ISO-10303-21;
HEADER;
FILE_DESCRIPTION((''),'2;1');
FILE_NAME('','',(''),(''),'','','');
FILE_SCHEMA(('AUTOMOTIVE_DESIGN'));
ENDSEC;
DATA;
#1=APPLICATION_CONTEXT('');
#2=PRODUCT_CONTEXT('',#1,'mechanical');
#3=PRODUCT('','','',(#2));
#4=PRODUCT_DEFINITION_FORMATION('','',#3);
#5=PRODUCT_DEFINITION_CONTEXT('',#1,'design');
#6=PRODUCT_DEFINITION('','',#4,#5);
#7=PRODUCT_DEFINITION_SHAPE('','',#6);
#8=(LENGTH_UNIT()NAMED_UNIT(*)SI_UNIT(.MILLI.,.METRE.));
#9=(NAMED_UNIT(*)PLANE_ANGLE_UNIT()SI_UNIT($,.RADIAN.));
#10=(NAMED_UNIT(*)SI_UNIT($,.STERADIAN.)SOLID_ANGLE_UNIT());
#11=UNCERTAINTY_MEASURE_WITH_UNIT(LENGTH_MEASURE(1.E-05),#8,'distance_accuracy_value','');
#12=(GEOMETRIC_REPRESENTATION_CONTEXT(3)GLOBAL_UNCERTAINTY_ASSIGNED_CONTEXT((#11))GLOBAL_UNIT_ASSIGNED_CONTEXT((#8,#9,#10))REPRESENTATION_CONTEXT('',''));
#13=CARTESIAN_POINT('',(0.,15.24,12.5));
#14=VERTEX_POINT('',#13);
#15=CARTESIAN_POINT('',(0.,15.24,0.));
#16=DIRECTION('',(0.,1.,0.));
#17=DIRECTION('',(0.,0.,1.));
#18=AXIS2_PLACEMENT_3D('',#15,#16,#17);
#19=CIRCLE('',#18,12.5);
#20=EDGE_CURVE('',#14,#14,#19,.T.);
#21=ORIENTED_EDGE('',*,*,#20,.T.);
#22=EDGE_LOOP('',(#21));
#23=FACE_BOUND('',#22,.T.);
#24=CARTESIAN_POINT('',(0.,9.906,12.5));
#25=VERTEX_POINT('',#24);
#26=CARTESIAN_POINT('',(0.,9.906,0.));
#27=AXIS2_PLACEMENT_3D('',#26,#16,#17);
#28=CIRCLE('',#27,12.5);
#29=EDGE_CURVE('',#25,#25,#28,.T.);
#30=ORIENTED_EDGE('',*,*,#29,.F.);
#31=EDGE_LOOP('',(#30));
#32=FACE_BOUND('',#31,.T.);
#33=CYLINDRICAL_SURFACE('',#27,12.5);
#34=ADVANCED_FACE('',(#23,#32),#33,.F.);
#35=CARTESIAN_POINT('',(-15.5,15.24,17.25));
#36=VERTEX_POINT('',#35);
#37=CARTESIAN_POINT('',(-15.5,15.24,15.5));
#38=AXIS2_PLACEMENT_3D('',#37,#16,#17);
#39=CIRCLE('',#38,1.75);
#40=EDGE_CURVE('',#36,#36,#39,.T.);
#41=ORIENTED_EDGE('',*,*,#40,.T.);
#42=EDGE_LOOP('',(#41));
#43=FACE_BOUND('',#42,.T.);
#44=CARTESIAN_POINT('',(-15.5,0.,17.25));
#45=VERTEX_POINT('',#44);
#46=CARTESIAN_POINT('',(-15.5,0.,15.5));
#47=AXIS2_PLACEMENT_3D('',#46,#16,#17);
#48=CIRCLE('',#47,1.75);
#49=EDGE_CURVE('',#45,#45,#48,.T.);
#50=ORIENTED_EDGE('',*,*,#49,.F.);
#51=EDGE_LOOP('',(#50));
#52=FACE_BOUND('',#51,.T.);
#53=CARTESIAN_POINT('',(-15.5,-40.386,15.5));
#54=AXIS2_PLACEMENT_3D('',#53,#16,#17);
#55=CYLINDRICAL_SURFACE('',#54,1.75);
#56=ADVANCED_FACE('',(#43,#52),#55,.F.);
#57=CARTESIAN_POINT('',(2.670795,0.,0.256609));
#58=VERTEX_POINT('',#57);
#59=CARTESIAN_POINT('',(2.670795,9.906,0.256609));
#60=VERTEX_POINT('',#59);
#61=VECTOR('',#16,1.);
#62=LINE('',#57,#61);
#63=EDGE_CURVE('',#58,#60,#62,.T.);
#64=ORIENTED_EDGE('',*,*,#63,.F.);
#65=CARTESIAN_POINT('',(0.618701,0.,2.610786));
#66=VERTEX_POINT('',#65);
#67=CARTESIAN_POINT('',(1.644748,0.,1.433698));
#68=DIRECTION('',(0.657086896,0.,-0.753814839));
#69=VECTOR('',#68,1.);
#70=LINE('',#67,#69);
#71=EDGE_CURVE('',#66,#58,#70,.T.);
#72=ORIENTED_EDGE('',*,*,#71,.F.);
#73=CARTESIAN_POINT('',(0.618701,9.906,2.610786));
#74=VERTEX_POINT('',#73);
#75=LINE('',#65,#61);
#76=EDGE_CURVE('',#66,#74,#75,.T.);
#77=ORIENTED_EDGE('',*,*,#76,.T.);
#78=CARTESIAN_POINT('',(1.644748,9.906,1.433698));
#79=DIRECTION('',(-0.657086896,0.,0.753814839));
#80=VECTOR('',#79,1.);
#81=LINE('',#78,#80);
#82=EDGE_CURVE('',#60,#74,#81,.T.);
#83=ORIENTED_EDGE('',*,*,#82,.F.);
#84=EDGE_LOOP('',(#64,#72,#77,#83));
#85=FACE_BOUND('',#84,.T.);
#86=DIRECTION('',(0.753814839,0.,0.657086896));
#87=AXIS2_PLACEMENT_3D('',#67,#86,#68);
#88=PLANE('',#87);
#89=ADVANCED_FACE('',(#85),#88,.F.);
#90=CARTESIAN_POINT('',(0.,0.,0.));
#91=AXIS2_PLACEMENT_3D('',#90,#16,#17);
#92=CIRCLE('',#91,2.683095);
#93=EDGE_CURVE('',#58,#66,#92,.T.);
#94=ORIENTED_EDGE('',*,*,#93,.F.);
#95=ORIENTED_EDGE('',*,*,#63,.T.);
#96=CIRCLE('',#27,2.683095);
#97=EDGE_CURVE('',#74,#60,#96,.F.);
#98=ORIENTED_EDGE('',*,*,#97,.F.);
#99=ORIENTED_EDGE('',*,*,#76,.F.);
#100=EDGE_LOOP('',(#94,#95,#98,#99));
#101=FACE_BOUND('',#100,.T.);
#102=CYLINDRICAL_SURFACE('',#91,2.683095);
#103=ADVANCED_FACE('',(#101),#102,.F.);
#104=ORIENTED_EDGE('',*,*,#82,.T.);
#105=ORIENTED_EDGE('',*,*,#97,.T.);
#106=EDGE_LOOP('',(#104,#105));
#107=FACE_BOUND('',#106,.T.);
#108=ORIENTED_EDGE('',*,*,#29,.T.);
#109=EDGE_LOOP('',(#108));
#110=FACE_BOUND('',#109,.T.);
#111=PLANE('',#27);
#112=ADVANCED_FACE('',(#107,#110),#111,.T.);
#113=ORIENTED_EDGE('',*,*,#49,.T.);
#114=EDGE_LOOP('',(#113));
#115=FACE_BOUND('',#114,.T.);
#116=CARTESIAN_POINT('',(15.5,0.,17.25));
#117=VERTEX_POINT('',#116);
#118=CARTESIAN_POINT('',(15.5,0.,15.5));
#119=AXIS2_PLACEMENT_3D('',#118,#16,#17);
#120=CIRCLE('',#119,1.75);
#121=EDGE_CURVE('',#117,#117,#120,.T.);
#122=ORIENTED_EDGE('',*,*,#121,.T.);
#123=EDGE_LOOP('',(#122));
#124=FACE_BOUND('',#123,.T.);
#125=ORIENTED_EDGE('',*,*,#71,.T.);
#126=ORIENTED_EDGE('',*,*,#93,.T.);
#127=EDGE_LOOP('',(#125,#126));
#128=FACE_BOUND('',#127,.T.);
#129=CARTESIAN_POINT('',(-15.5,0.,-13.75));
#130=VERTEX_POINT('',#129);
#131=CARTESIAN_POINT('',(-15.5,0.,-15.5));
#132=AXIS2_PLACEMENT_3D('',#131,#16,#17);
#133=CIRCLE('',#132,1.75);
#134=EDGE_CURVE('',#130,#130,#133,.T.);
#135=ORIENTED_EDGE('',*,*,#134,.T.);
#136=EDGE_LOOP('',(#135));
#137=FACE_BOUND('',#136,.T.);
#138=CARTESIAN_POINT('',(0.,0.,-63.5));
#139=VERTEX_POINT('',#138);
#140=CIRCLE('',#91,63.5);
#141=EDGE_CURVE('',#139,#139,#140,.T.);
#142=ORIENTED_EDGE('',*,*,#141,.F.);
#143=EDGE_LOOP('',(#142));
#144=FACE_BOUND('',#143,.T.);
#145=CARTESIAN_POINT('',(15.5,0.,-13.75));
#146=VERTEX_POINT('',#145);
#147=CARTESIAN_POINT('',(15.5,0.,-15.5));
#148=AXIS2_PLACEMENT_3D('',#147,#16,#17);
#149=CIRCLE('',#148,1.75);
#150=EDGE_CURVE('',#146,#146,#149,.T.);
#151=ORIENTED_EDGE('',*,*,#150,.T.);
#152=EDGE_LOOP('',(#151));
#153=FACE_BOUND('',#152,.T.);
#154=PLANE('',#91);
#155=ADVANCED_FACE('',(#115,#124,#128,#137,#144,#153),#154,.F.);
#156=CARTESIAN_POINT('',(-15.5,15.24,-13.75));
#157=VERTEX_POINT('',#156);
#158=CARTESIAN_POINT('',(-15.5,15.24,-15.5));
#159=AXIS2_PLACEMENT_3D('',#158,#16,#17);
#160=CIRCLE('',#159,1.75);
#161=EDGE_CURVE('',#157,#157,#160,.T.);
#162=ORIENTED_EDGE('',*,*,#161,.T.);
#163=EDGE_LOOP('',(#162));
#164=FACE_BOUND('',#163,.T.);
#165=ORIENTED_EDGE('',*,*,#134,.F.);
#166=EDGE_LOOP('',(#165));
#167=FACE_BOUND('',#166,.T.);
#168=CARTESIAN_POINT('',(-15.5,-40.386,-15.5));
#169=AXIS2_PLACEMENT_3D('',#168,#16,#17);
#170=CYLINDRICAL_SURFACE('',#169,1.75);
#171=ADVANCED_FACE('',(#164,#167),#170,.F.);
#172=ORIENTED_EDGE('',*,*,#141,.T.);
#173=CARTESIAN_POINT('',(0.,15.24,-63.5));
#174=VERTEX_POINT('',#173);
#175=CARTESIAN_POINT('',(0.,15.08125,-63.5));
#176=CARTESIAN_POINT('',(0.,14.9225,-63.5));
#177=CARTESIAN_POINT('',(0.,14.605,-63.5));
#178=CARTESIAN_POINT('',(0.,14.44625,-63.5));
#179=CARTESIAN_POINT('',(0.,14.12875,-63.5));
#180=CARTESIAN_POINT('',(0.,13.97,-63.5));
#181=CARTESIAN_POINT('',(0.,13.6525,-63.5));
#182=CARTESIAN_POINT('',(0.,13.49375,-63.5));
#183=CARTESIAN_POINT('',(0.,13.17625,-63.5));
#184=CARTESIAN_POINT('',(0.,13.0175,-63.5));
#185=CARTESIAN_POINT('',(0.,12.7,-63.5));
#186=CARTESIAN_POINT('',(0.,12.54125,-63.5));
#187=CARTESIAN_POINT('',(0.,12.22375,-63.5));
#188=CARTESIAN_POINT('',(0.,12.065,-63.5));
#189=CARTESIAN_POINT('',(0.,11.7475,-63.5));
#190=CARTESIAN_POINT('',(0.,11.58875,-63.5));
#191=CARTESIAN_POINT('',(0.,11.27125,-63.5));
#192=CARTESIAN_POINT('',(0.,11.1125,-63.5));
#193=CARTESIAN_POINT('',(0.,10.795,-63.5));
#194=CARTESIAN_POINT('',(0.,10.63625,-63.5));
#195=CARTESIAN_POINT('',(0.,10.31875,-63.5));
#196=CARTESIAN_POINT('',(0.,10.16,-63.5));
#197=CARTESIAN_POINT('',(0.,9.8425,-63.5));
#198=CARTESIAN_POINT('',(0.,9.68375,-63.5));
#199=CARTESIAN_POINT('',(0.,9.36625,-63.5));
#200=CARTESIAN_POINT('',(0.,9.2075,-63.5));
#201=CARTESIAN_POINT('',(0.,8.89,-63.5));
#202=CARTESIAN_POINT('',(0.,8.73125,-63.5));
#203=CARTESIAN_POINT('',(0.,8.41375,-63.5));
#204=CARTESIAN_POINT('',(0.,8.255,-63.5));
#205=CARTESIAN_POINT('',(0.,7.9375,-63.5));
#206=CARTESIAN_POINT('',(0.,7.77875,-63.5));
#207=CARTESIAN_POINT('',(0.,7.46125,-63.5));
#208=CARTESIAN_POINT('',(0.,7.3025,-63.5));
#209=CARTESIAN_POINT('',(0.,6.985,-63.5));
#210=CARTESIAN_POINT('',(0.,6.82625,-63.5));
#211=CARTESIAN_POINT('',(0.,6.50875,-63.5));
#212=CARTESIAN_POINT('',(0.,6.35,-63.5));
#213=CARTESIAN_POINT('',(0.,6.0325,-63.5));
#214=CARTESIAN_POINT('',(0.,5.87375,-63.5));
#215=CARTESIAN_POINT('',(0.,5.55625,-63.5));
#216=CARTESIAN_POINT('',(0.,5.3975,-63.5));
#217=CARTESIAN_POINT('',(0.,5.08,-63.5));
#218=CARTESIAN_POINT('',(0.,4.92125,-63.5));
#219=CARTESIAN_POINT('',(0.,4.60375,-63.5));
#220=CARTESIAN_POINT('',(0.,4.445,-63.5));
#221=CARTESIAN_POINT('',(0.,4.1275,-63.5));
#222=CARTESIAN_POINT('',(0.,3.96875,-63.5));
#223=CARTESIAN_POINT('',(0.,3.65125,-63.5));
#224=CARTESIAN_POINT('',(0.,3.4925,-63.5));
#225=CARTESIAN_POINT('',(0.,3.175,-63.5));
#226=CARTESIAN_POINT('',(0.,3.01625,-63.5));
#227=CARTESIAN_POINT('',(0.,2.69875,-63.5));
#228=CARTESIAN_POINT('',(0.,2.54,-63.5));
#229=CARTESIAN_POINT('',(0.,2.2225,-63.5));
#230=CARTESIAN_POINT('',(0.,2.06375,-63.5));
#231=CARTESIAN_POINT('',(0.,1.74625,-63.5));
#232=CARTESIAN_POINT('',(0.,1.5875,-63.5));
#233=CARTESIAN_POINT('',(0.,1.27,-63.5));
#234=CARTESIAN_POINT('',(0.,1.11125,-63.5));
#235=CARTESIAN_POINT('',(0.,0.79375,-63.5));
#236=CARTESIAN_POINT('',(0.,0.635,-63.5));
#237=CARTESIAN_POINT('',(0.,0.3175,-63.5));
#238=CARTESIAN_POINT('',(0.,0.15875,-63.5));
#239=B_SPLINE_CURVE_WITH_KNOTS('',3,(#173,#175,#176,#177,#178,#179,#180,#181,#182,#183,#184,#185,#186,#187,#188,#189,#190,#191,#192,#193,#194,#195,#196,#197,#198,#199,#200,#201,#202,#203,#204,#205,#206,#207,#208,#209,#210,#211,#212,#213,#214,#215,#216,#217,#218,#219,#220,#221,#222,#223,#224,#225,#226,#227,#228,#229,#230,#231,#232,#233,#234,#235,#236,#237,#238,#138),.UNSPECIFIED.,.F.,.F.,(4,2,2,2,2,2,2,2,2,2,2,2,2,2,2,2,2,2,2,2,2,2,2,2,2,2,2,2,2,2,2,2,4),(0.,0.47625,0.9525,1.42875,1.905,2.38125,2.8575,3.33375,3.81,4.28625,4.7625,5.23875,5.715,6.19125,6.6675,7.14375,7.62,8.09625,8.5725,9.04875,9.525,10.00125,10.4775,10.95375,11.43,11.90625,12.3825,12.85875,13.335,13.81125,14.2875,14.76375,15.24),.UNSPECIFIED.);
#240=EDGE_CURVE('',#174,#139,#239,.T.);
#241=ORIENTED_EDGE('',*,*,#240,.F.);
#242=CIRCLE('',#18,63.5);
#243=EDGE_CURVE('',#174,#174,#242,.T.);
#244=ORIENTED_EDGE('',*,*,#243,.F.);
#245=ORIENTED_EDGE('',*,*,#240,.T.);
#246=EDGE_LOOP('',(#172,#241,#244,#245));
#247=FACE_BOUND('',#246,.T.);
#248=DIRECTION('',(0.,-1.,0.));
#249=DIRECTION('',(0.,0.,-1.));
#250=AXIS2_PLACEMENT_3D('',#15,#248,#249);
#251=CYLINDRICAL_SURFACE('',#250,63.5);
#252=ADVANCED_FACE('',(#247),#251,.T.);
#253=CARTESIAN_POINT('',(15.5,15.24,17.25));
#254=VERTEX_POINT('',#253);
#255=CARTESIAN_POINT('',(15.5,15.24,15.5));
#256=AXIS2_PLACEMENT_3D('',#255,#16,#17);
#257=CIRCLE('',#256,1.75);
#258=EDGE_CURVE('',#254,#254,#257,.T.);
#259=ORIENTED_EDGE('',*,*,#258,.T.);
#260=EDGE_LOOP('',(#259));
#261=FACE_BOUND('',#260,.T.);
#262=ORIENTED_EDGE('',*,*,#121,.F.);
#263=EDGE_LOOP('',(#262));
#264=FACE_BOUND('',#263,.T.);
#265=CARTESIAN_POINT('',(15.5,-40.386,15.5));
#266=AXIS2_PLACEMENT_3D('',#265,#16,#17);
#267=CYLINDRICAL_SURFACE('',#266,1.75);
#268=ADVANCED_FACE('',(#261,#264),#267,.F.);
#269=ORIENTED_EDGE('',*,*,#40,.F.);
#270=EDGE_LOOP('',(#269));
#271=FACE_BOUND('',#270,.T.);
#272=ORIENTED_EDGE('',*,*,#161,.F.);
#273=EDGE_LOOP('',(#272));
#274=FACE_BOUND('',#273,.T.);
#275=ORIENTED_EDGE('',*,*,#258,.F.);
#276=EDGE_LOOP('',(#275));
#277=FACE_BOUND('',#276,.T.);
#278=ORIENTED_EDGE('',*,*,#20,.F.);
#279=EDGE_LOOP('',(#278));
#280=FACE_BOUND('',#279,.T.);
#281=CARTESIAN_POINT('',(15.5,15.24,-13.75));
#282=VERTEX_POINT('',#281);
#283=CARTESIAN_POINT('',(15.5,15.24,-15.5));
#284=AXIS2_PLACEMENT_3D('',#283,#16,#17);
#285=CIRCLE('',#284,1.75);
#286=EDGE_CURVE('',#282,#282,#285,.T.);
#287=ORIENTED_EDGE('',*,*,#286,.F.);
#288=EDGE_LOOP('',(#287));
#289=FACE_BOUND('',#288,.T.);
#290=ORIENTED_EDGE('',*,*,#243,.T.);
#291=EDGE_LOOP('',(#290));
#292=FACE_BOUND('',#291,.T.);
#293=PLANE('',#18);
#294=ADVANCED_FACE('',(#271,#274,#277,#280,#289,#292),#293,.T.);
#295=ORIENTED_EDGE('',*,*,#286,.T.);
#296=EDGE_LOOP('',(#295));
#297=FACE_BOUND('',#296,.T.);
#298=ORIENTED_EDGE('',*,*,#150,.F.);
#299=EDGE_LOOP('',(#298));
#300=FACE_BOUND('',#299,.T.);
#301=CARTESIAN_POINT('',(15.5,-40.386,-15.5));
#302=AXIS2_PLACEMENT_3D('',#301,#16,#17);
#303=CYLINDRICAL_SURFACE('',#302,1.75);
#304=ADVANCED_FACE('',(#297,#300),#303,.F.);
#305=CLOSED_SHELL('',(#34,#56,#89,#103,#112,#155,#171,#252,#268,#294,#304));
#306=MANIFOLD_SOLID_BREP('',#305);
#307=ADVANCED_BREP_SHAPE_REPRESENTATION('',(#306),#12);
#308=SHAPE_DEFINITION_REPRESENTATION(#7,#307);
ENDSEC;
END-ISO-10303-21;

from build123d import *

# Parameters (mm, degrees)
SKETCH2_R           = 63.5
BOSS_EXTRUDE1_DEPTH = 15.24
CUT_EXTRUDE3_DEPTH  = 92.086539071
SKETCH4_R           = 1.75
CUT_EXTRUDE4_DEPTH  = 55.626
SKETCH5_R           = 12.5
CUT_EXTRUDE5_DEPTH  = 5.334


with BuildPart() as part:
    # Sketch2 → Boss-Extrude1 (new body)
    with BuildSketch(Plane(origin=(0, 0, 0), x_dir=(1, 0, 0), z_dir=(0, 1, 0))):
        Circle(SKETCH2_R)
    extrude(amount=BOSS_EXTRUDE1_DEPTH)

    # Sketch3 → Cut-Extrude3 (cut, through all)
    with BuildSketch(Plane(origin=(0, 15.24, 0), x_dir=(1, 0, 0), z_dir=(0, 1, 0))):
        with BuildLine():
            ThreePointArc((2.683094535, 0), (-2.104641397, 1.664175734), (0.618701471, -2.610786237))
            Line((0.618701471, -2.610786237), (2.670795382, -0.25660926))
            ThreePointArc((2.670795382, -0.25660926), (2.680017983, -0.128451918), (2.683094535, 0))
        make_face()
    extrude(amount=-CUT_EXTRUDE3_DEPTH, mode=Mode.SUBTRACT)

    # Sketch4 → Cut-Extrude4 (cut)
    with BuildSketch(Plane(origin=(0, 15.24, 0), x_dir=(1, 0, 0), z_dir=(0, 1, 0))):
        with Locations((-15.5, 15.5)):
            Circle(SKETCH4_R)
        with Locations((15.5, 15.5)):
            Circle(SKETCH4_R)
        with Locations((15.5, -15.5)):
            Circle(SKETCH4_R)
        with Locations((-15.5, -15.5)):
            Circle(SKETCH4_R)
    extrude(amount=-CUT_EXTRUDE4_DEPTH, mode=Mode.SUBTRACT)

    # Sketch5 → Cut-Extrude5 (cut)
    with BuildSketch(Plane(origin=(0, 15.24, 0), x_dir=(1, 0, 0), z_dir=(0, 1, 0))):
        Circle(SKETCH5_R)
    extrude(amount=-CUT_EXTRUDE5_DEPTH, mode=Mode.SUBTRACT)


solid = part.part
